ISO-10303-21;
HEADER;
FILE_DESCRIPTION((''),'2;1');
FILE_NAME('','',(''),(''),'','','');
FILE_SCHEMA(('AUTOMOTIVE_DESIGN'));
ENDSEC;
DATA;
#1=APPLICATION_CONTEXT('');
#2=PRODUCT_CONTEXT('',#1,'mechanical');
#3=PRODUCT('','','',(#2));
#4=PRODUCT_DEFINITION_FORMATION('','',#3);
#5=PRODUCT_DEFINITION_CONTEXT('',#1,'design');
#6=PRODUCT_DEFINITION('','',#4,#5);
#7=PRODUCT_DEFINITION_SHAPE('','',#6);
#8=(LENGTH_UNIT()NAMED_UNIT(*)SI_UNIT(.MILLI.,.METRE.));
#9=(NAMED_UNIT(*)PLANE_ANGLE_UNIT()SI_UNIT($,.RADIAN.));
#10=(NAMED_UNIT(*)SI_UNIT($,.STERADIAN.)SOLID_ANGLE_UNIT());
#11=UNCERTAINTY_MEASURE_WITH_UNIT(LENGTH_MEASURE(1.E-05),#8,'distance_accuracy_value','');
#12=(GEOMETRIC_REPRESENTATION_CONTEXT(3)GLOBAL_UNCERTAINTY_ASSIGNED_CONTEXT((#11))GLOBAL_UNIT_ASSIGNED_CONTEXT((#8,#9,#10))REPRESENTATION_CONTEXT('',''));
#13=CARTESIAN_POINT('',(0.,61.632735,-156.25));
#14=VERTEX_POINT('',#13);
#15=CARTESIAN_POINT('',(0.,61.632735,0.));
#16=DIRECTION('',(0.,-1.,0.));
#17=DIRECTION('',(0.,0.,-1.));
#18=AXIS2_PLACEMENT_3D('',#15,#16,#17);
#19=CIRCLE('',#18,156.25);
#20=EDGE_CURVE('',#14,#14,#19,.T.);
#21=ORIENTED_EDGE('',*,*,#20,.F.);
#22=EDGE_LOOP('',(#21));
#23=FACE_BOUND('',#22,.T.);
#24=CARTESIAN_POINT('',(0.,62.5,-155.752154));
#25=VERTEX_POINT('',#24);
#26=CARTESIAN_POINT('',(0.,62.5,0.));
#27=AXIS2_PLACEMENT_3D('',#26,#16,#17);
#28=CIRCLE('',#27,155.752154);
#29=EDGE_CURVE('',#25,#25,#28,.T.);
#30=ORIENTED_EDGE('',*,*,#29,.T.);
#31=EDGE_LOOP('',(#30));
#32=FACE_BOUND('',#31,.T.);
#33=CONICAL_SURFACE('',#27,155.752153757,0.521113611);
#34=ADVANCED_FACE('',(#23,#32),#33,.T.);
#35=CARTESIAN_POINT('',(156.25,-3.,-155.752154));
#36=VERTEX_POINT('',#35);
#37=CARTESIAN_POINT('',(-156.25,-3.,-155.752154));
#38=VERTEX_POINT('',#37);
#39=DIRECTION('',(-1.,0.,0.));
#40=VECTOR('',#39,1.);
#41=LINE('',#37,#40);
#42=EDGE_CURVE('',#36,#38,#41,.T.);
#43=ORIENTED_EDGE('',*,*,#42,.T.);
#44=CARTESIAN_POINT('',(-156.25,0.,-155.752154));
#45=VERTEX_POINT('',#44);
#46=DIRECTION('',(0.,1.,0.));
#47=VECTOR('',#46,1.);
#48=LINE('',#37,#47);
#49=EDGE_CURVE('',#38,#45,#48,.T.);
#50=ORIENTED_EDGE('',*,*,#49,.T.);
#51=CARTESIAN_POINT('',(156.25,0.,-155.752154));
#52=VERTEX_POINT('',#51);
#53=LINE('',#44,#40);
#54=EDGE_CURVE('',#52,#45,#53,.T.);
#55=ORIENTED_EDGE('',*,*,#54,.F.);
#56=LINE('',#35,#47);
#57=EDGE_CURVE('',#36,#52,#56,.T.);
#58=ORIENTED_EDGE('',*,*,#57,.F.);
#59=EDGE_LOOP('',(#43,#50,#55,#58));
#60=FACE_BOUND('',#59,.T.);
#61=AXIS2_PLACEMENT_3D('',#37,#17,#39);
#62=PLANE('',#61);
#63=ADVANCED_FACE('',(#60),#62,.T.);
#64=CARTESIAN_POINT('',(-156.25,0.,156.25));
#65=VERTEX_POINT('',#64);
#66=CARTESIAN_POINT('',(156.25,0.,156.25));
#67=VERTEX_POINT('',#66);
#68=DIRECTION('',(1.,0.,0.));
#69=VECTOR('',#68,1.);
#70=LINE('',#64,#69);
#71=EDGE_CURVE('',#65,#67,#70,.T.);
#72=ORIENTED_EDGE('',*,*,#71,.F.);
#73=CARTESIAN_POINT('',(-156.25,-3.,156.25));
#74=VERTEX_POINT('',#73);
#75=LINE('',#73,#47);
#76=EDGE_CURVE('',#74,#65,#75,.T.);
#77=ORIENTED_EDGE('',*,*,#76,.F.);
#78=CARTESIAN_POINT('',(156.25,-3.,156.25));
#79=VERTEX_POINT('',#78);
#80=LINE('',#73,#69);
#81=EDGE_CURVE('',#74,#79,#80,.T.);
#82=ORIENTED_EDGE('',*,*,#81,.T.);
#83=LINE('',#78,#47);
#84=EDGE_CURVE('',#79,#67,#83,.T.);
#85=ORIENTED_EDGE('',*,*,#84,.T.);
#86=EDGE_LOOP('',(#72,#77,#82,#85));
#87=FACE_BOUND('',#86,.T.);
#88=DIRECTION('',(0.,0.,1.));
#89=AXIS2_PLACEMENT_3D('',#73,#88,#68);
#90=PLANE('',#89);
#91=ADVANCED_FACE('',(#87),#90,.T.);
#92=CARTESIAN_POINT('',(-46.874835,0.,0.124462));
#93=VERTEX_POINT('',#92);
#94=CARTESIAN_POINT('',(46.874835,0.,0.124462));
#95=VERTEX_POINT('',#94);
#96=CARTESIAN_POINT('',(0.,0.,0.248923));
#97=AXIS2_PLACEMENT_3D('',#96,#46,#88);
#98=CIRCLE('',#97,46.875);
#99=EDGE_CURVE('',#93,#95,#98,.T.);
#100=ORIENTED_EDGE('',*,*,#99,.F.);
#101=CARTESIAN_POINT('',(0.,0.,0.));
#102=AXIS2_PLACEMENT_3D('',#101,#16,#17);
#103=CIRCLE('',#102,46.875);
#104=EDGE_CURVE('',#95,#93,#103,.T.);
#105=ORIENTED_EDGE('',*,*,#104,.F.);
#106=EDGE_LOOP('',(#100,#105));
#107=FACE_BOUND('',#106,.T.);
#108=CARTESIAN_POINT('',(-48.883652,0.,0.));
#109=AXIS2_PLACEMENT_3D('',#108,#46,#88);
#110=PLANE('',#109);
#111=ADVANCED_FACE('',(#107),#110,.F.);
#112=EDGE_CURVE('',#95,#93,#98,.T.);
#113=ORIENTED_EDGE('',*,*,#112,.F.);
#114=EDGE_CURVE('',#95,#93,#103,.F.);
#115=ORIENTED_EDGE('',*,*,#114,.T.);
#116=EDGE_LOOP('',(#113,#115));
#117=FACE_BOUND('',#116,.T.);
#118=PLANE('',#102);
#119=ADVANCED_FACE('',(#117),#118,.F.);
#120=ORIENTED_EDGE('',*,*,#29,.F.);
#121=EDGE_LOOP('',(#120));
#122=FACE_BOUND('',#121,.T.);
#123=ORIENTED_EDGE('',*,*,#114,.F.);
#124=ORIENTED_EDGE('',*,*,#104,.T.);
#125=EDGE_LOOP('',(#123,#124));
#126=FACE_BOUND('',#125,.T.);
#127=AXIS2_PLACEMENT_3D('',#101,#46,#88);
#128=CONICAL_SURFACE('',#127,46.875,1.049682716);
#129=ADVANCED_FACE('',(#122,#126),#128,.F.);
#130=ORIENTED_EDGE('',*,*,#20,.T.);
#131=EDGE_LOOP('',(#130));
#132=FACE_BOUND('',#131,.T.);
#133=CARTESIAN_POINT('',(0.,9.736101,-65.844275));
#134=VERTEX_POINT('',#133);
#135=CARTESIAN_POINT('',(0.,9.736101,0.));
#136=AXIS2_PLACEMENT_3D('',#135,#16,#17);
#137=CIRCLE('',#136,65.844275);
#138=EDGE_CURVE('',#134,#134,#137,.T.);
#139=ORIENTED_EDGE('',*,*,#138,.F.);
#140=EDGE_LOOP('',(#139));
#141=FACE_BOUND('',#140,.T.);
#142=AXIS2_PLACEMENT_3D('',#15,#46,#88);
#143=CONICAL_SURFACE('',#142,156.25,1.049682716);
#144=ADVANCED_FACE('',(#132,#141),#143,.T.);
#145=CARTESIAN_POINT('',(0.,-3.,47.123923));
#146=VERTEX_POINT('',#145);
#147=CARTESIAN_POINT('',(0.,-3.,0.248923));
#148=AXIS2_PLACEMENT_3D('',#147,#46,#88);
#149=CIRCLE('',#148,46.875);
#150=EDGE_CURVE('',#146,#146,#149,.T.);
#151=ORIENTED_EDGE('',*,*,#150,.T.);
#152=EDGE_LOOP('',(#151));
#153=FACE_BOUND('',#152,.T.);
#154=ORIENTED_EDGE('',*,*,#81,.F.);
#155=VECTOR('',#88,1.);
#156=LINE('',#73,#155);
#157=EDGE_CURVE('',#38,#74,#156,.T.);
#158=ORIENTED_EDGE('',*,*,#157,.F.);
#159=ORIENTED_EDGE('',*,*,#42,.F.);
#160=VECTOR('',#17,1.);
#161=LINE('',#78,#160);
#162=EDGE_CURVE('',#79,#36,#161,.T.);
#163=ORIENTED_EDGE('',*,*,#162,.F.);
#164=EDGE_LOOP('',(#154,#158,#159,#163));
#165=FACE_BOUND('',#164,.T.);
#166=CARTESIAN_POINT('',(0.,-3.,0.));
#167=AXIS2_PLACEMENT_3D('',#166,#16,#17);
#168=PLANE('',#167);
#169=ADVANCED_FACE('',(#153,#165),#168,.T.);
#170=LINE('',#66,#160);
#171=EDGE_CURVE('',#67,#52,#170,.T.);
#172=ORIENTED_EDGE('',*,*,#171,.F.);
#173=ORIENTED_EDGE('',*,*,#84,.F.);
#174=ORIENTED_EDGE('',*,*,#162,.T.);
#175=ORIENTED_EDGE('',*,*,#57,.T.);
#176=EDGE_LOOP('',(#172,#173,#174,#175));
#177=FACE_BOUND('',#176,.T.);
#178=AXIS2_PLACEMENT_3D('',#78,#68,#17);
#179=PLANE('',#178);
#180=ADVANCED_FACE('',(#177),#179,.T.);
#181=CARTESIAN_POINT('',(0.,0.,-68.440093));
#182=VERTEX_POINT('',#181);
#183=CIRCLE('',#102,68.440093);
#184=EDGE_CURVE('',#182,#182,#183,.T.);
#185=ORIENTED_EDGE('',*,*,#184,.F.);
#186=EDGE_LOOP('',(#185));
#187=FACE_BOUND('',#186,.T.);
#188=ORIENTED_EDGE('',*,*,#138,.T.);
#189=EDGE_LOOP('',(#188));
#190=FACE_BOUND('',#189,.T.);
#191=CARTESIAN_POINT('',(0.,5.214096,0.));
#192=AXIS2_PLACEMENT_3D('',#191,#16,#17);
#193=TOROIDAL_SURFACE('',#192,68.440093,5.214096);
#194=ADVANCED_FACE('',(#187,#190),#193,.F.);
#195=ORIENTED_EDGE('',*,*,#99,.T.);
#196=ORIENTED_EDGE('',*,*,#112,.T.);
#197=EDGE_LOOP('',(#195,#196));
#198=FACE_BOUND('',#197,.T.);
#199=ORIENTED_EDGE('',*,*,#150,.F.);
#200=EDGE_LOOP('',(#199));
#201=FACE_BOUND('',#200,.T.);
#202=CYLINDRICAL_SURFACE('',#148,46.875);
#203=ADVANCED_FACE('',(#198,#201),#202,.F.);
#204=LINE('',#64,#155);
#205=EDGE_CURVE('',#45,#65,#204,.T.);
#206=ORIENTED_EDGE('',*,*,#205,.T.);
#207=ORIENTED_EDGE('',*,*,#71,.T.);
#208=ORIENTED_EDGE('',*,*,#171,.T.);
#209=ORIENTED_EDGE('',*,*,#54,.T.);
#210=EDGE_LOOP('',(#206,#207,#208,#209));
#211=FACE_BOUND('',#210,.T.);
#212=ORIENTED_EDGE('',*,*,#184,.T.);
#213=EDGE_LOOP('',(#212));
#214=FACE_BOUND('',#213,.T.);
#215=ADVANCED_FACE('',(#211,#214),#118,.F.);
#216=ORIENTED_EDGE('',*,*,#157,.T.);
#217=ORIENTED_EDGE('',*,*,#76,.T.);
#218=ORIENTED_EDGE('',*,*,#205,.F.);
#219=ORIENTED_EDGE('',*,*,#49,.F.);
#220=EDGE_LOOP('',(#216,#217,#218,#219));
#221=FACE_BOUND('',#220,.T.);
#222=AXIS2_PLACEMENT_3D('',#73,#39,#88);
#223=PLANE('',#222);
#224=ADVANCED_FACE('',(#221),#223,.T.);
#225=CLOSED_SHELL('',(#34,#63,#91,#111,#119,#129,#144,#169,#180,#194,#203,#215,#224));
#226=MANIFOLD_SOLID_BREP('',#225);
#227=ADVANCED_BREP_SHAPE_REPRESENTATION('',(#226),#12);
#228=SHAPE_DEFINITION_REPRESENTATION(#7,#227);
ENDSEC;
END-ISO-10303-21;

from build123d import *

# Parameters (mm, degrees)
SKETCH2_R           = 46.875
BOSS_EXTRUDE1_DEPTH = 3


with BuildPart() as part:
    # Sketch1 → Revolve1 (revolve)
    with BuildSketch(Plane.XY, mode=Mode.PRIVATE) as revolve1_sk:
        Polygon((-48.883652299488276, 0), (-156.25, 61.6327346895418), (-155.75215375739506, 62.5), (-46.875, 0), align=None)
    revolve(revolve1_sk.sketch.rotate(Axis((0, 0, 0), (0, 1, 0)), 90), axis=Axis((0, 0, 0), (0, 1, 0)))



with BuildPart() as body_2:
    # Sketch2 → Boss-Extrude1 (new body)
    with BuildSketch(Plane(origin=(0, 0, 0), x_dir=(1, 0, 0), z_dir=(0, 1, 0))):
        Polygon((-156.24999999999994, -156.25), (156.25000000000003, -156.25), (156.25, 155.75215375739506), (-156.24999999999994, 155.75215375739506), align=None)
        with Locations(Location((8.327e-14, -0.24892312130248007, 0), (0, 0, 270))):
            Circle(SKETCH2_R, mode=Mode.SUBTRACT)
    extrude(amount=-BOSS_EXTRUDE1_DEPTH)


with BuildPart() as part_1:
    add(part.part)

    add(body_2.part)  # Revolve2 merges body 2
    # Sketch3 → Revolve2 (revolve)
    with BuildSketch(Plane.XY, mode=Mode.PRIVATE) as revolve2_sk:
        with BuildLine():
            Line((-65.84427513417332, 9.73610064724726), (-48.88365229948828, 0))
            Line((-48.88365229948828, 0), (-68.44009325263127, 0))
            ThreePointArc((-68.44009325263127, 0), (-63.40199024858691, 3.8708478952321843), (-65.84427513417332, 9.73610064724726))
        make_face()
    revolve(revolve2_sk.sketch.rotate(Axis((0, 0, 0), (0, 1, 0)), 270), axis=Axis((0, 0, 0), (0, 1, 0)))


solid = part_1.part
